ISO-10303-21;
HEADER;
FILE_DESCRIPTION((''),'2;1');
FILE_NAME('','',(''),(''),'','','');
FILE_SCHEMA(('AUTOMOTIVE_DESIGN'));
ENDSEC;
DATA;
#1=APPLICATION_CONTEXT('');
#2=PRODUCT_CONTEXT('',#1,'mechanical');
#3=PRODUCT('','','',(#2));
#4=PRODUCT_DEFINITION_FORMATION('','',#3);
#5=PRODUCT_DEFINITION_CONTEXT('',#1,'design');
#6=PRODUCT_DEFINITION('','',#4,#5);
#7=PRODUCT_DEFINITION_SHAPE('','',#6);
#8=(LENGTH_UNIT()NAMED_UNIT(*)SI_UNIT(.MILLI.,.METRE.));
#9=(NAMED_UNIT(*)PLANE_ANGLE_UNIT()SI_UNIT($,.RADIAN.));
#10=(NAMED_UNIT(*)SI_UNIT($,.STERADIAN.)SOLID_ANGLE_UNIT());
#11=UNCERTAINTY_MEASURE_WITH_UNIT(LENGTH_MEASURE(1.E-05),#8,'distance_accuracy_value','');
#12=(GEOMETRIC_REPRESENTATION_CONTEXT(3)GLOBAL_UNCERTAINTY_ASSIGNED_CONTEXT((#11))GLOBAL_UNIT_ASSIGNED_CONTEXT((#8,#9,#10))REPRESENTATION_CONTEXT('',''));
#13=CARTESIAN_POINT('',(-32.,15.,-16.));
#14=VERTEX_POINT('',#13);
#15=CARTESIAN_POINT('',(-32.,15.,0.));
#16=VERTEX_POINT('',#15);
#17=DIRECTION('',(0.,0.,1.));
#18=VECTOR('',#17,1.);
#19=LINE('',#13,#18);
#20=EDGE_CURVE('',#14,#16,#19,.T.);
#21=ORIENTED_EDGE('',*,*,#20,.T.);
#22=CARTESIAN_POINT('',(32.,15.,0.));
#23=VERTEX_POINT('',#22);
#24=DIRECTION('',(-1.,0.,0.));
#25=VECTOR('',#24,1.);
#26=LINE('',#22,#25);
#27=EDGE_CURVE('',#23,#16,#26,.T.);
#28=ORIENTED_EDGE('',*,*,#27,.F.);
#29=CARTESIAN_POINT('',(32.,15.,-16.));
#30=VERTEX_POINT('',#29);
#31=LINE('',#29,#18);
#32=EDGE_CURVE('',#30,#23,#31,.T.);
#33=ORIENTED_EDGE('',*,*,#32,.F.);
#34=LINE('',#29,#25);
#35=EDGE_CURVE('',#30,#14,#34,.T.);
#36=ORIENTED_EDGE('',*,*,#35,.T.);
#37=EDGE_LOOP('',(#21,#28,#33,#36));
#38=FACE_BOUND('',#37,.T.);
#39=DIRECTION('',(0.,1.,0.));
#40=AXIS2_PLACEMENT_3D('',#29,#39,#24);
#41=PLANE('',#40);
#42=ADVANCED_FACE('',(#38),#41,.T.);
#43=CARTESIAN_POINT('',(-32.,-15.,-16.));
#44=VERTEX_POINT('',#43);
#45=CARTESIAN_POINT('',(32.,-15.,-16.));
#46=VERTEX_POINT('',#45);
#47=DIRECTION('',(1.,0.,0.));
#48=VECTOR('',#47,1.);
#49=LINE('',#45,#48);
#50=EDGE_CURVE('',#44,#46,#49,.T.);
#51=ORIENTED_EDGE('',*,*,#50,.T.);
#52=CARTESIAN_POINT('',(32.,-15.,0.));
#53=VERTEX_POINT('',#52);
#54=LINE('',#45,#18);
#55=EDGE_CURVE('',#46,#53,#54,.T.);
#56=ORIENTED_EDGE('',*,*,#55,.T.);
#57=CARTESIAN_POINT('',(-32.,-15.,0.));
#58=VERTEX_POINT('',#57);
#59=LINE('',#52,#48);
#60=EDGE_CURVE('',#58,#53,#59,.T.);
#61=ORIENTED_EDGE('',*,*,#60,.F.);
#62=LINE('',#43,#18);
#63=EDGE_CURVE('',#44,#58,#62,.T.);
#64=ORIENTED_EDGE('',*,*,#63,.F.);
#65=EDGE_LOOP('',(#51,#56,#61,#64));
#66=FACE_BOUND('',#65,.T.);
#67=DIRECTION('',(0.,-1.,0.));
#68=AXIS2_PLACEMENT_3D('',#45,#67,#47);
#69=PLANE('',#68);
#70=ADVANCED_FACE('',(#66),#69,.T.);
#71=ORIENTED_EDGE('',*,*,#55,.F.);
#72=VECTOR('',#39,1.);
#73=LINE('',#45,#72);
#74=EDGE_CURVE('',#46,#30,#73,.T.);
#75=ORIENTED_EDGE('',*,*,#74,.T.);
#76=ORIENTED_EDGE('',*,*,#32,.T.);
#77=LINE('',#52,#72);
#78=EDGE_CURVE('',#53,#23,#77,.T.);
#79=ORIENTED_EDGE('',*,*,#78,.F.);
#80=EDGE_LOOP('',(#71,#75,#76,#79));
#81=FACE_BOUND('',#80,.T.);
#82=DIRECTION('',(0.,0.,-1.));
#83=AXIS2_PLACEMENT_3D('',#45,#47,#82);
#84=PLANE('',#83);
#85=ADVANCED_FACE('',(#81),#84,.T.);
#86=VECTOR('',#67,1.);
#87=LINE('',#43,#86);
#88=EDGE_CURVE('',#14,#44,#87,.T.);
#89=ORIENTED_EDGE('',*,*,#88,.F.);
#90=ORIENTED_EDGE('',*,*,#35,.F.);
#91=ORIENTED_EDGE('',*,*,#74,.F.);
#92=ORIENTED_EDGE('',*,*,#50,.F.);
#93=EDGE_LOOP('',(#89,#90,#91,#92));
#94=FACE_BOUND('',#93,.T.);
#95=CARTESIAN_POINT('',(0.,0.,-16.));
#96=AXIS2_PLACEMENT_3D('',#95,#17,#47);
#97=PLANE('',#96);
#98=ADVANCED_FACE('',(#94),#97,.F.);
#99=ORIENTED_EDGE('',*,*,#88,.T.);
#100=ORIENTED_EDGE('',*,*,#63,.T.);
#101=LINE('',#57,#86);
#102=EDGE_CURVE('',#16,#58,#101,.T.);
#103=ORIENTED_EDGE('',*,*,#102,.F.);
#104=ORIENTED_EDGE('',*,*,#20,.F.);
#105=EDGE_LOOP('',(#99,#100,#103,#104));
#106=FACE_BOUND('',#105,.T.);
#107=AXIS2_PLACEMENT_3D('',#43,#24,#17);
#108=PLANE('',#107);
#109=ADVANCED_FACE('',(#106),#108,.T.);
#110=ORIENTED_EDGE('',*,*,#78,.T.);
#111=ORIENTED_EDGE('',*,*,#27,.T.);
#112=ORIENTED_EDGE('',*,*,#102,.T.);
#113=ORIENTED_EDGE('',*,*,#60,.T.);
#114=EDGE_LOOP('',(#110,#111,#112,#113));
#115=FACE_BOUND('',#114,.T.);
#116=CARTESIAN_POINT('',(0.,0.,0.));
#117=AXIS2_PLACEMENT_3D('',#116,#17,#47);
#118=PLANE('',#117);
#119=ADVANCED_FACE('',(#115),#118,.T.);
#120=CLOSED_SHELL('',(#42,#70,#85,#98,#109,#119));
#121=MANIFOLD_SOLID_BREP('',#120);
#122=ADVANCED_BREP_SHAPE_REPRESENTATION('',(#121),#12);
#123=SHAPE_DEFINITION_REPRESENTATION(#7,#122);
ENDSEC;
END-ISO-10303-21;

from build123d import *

# Parameters (mm, degrees)
SKETCH_1_W      = 64
SKETCH_1_H      = 30
EXTRUDE_1_DEPTH = 16


with BuildPart() as part:
    # 草图1 → 凸台-拉伸1 (new body)
    with BuildSketch(Plane.XY):
        Rectangle(SKETCH_1_W, SKETCH_1_H)
    extrude(amount=-EXTRUDE_1_DEPTH)


solid = part.part
